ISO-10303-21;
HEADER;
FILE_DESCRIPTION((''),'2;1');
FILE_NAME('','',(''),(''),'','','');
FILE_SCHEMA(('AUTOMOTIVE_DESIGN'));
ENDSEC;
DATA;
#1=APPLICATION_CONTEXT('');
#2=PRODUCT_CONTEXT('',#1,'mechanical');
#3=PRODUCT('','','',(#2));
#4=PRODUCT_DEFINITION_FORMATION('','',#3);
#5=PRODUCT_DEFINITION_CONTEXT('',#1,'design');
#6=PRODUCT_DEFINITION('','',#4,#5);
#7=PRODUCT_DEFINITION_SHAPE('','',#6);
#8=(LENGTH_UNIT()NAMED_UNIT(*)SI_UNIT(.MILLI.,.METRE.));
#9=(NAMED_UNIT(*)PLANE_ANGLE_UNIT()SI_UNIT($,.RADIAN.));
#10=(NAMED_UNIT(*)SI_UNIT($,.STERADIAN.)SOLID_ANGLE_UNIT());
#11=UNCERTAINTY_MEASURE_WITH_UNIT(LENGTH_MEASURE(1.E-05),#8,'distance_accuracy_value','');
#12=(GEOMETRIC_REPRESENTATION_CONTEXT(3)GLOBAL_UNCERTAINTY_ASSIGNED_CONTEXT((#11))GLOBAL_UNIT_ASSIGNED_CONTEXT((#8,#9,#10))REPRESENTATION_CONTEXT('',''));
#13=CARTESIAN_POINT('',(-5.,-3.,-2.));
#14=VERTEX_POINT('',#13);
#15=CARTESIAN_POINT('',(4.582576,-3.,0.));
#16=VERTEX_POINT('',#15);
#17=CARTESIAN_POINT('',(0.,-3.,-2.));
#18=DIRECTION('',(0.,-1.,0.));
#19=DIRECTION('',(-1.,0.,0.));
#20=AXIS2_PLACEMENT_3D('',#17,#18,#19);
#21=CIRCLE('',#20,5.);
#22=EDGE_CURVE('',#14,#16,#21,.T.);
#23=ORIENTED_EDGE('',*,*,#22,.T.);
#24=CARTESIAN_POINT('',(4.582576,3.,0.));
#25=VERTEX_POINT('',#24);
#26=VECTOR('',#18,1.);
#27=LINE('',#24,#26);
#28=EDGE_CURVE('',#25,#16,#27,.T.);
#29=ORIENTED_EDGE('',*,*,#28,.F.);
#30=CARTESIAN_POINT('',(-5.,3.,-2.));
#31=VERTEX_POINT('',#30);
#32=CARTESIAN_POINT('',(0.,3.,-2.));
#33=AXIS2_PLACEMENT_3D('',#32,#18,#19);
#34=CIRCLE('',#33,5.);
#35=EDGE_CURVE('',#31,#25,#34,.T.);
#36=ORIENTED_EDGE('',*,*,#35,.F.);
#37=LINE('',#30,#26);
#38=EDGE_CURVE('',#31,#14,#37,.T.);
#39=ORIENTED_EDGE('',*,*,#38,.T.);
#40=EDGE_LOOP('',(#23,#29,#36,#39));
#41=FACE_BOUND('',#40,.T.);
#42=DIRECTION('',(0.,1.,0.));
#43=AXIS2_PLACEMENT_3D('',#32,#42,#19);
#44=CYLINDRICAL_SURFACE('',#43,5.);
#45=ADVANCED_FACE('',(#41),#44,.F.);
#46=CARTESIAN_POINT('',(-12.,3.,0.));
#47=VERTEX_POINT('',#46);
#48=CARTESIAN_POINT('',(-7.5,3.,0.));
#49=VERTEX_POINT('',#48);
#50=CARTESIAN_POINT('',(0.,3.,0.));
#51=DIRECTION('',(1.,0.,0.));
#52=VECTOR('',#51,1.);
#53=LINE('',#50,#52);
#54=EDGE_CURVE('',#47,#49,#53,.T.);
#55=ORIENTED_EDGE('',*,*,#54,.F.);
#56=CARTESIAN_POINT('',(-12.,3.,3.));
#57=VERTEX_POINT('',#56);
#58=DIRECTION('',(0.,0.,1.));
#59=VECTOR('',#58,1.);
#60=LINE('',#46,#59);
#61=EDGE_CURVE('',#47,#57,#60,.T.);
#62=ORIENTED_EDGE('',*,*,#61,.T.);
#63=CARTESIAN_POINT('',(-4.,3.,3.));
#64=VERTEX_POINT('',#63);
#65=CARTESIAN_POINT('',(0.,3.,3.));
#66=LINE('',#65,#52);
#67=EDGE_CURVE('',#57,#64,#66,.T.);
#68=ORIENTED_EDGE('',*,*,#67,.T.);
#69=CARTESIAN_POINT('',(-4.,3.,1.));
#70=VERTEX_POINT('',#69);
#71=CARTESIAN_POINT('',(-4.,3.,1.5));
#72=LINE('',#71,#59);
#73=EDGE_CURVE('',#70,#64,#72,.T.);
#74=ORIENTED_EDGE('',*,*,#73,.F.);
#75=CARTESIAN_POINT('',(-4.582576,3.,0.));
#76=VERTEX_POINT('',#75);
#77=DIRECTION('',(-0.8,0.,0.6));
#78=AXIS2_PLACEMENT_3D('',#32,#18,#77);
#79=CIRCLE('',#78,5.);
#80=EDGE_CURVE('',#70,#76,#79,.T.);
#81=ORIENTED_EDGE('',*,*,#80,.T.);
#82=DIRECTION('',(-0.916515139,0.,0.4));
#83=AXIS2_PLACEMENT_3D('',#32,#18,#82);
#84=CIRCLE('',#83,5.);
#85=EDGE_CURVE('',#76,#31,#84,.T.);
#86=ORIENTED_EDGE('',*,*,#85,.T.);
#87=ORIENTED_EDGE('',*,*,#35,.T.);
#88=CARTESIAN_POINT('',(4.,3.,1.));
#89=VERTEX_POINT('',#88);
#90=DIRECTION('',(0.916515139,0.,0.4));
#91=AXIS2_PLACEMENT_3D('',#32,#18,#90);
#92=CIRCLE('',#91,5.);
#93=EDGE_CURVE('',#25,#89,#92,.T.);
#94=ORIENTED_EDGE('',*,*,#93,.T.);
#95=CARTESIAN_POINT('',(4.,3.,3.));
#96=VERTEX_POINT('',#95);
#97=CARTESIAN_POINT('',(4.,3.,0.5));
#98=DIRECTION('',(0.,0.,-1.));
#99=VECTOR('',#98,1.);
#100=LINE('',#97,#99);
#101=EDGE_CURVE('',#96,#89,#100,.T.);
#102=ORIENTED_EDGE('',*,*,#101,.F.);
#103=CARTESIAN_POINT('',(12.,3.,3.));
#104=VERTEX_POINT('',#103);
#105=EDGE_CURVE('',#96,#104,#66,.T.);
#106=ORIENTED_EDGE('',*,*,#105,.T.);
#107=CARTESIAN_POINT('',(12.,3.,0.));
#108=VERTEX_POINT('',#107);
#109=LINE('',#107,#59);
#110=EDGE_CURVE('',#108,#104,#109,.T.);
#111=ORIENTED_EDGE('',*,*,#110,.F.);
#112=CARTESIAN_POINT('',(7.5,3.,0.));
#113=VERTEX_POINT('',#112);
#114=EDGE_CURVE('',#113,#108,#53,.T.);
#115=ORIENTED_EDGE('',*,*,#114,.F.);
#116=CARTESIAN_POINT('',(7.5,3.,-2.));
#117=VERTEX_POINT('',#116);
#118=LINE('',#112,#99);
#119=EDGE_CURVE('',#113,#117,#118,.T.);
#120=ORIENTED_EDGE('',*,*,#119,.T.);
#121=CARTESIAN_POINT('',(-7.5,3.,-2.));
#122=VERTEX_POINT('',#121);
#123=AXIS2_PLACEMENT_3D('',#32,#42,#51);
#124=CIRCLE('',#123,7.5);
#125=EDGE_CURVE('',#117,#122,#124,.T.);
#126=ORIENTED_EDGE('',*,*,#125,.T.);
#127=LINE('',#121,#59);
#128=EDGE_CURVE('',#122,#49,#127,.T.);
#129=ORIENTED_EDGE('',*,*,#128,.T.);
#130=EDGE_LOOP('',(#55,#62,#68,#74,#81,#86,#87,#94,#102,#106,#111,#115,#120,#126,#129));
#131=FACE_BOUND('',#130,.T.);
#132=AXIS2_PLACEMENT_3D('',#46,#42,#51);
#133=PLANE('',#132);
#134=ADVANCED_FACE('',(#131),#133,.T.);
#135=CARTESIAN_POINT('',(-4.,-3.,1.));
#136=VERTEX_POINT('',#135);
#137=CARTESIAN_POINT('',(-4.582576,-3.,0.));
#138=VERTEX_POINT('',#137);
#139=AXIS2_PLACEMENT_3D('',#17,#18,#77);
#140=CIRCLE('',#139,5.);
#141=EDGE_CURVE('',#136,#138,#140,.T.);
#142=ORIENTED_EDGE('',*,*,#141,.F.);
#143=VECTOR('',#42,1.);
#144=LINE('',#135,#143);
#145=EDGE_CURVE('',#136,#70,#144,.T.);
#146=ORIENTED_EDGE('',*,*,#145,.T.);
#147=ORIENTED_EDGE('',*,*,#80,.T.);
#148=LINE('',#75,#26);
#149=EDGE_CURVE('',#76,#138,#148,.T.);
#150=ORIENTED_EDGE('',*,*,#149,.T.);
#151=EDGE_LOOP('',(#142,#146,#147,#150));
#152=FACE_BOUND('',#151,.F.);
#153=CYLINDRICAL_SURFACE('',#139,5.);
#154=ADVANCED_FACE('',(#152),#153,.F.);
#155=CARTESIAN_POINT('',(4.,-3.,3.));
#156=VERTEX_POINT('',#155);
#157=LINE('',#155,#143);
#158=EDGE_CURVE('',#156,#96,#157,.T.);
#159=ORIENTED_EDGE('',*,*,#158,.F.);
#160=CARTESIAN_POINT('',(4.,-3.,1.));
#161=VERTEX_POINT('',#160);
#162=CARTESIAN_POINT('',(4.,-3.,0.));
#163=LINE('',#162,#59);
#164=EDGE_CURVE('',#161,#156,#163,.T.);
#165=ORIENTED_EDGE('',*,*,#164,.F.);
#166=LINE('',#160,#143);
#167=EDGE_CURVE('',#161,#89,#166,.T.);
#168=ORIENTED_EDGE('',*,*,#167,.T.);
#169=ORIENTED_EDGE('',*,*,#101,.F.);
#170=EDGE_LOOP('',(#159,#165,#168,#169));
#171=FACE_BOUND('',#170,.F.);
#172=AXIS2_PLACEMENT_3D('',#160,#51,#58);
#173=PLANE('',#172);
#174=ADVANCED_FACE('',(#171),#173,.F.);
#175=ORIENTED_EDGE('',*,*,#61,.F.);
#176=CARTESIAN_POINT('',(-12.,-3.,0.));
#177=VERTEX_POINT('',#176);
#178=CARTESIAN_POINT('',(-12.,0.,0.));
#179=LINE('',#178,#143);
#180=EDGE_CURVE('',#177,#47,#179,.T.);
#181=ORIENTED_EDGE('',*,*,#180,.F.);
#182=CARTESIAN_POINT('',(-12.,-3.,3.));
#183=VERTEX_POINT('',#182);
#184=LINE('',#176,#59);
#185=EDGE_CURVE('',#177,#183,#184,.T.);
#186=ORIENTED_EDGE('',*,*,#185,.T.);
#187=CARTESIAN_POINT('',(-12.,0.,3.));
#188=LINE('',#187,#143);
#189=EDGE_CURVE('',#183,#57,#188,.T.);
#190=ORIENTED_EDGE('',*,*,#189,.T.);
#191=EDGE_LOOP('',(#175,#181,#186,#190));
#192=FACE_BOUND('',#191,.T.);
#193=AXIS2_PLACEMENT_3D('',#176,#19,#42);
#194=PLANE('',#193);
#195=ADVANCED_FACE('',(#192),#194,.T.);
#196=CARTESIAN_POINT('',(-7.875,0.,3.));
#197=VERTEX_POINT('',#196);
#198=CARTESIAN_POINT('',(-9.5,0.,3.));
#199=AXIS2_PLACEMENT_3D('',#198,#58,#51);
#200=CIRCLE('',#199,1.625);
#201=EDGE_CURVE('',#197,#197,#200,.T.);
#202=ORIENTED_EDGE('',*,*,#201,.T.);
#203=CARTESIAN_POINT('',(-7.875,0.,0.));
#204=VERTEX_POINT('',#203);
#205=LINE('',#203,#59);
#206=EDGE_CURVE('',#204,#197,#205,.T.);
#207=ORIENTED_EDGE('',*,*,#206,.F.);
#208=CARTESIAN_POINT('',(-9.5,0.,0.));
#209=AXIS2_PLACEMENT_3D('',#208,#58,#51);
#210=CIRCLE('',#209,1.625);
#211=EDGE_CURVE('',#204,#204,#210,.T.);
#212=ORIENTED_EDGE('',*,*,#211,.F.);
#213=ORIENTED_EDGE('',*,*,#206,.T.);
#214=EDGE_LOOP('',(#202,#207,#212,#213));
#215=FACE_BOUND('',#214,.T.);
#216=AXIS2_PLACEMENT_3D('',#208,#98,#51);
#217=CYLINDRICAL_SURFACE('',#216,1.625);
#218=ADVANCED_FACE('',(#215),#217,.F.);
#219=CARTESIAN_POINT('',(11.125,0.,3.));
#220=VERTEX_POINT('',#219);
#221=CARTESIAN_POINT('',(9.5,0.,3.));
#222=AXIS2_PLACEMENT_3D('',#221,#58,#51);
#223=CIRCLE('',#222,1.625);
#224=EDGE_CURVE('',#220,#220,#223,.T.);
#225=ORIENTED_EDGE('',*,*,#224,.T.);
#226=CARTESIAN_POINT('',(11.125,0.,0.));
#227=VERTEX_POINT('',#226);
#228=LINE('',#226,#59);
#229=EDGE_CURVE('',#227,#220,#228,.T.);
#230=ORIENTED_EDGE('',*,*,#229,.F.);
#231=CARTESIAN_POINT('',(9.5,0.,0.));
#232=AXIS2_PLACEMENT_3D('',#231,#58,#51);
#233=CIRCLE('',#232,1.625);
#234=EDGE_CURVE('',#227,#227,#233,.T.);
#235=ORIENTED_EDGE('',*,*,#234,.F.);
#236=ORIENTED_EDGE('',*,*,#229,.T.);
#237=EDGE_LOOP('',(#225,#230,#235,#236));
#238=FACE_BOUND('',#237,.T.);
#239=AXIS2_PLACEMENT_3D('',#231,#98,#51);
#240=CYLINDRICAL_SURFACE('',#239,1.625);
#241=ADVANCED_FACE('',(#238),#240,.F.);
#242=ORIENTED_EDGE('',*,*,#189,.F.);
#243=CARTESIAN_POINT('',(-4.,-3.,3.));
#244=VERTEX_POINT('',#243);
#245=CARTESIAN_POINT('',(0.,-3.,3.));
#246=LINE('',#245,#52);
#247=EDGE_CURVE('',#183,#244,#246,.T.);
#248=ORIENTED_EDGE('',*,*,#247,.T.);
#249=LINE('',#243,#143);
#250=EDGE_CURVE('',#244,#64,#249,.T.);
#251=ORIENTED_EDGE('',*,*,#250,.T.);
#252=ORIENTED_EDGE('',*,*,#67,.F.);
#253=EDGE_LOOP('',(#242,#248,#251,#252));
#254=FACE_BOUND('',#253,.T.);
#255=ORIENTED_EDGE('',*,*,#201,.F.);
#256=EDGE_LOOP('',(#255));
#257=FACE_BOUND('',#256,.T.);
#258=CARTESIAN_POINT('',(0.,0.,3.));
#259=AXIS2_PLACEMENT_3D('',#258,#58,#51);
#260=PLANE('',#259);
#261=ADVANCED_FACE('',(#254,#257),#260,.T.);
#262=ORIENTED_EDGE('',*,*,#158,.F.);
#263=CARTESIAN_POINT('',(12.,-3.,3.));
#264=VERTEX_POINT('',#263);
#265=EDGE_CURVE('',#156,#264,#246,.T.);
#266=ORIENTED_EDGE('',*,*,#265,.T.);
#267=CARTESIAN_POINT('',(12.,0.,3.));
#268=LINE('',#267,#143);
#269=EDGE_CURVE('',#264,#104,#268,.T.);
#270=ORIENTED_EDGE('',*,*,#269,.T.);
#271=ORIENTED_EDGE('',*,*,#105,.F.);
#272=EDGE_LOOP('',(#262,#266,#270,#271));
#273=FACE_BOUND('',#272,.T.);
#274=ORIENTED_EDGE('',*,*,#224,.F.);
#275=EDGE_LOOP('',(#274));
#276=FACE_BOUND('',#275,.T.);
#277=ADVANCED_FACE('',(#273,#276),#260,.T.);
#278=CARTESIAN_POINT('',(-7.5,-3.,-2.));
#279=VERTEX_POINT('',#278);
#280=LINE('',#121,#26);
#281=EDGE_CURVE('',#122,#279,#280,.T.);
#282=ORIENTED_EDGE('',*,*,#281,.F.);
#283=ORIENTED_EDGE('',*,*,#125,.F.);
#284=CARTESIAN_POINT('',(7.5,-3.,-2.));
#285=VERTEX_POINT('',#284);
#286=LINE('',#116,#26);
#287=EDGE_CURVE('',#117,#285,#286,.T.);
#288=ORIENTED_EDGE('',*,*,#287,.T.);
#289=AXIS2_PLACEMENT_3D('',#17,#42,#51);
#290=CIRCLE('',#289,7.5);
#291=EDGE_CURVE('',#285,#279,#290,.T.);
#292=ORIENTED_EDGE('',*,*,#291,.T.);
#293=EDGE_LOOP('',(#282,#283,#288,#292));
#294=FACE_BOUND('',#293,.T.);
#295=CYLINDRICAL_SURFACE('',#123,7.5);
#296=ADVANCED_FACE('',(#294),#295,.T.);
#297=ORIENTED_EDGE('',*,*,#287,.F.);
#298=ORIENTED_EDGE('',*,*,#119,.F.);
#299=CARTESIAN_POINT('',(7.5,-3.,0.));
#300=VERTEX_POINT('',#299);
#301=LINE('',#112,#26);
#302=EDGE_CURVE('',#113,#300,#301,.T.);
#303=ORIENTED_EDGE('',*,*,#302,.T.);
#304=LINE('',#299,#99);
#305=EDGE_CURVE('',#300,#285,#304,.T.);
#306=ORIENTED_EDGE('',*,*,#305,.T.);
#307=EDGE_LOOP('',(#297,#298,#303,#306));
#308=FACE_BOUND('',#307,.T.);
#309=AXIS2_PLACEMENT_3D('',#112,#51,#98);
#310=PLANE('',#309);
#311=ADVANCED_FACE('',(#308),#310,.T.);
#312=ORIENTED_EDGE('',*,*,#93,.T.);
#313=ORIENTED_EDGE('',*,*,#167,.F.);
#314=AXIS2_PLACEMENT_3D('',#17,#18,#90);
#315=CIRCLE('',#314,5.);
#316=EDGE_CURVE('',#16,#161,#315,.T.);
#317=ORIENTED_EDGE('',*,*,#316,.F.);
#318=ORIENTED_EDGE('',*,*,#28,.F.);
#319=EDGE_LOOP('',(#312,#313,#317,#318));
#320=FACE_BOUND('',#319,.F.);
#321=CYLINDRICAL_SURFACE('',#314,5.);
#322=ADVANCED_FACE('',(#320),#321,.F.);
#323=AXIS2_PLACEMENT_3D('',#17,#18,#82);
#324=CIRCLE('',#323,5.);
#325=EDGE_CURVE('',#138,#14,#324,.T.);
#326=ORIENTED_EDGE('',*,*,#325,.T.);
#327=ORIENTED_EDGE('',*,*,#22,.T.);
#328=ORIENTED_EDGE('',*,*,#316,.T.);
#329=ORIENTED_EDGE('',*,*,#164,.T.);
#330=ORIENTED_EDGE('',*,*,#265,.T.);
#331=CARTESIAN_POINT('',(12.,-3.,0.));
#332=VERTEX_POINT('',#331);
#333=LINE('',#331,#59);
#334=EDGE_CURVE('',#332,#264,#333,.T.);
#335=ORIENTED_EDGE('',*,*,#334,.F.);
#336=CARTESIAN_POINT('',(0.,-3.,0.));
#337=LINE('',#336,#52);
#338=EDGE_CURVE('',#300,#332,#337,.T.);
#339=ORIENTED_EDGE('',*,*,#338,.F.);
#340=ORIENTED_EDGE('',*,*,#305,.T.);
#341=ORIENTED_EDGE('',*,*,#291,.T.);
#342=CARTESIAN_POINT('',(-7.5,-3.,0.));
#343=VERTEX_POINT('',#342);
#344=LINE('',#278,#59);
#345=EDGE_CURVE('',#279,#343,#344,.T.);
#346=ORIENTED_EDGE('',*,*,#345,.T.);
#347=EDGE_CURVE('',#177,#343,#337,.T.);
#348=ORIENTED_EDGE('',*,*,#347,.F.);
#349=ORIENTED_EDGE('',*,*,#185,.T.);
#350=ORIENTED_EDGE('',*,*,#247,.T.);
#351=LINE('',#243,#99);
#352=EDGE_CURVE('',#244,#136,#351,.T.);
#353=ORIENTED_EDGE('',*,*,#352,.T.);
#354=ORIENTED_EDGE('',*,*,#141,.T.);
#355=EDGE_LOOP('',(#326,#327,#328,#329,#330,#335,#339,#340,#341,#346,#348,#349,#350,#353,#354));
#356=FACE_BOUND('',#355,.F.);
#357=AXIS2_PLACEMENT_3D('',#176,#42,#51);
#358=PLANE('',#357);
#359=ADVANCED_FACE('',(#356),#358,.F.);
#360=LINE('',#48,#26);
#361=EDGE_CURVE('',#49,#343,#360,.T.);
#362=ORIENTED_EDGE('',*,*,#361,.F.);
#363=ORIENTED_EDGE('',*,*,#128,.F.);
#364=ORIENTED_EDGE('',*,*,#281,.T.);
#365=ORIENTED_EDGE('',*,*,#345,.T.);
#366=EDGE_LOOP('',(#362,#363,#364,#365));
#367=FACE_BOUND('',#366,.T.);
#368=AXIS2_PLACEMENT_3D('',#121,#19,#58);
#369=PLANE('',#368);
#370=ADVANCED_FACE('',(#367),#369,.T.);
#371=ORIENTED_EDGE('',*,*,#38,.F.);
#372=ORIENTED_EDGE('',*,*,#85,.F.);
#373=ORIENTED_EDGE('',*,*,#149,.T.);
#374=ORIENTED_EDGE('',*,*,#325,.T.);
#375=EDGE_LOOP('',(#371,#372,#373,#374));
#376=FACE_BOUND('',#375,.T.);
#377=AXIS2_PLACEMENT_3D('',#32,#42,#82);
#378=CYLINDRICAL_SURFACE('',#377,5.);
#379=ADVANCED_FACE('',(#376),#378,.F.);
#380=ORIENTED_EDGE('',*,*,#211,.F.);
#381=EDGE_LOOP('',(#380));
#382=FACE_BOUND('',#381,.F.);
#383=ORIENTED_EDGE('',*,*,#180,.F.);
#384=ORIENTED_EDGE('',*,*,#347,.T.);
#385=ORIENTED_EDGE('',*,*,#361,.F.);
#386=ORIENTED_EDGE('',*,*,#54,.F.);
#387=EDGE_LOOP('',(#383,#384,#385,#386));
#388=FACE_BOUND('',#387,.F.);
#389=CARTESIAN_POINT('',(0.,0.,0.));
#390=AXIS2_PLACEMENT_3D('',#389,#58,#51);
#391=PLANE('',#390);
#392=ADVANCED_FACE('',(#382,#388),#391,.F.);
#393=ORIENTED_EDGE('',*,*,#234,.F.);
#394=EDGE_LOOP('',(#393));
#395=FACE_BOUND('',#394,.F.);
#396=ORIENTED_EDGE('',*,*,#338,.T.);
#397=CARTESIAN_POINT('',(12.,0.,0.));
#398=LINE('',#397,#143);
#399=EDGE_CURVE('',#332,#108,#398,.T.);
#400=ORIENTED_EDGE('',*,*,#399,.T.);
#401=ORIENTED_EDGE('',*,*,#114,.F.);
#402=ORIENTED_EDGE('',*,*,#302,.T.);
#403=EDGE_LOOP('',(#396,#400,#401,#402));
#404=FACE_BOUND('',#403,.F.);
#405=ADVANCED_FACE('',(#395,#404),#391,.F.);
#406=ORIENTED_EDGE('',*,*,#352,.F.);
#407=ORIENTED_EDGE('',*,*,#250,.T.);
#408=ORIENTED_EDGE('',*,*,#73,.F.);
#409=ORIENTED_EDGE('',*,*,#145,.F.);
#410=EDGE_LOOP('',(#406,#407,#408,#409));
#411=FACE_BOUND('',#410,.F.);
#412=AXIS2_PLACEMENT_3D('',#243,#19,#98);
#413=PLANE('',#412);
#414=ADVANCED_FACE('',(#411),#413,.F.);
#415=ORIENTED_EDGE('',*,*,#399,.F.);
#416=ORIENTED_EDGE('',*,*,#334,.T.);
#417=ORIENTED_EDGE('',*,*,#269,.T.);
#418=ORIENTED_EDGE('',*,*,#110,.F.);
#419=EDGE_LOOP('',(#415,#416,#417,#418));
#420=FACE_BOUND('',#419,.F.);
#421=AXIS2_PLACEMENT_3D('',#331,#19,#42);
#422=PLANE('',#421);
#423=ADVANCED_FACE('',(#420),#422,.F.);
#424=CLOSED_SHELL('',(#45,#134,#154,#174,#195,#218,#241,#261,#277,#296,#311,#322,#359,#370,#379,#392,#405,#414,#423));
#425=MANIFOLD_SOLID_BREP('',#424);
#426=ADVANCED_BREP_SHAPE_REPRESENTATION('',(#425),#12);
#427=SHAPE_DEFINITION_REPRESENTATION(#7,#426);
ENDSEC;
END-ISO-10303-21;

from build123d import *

# Parameters (mm, degrees)
F0_W     = 24
F0_H     = 6
F0_R     = 1.625
F1_DEPTH = 3
F3_DEPTH = 6
F5_DEPTH = 6.001


with BuildPart() as f1:
    # F0 (on Top) → F1 (new body)
    with BuildSketch(Plane.XY):
        Rectangle(F0_W, F0_H)
        with Locations((-9.5, 0)):
            Circle(F0_R, mode=Mode.SUBTRACT)
        with Locations((9.5, 0)):
            Circle(F0_R, mode=Mode.SUBTRACT)
    extrude(amount=F1_DEPTH)

    # F2 (on face) → F3 (join)
    with BuildSketch(Plane(origin=(0, 3, 0), x_dir=(-1, 0, 0), z_dir=(0, 1, 0))):
        with BuildLine():
            Line((-7.5, 0), (-7.5, -2))
            ThreePointArc((-7.5, -2), (0, -9.5), (7.5, -2))
            Line((7.5, -2), (7.5, 0))
            Line((7.5, 0), (4.582575695, 0))
            ThreePointArc((4.582575695, 0), (4.8945315647, -0.9784517816), (5, -2))
            ThreePointArc((5, -2), (-1.0215482184, -6.8945315647), (-4.582575695, 0))
            Line((-4.582575695, 0), (-7.5, 0))
        make_face()
    extrude(amount=-F3_DEPTH)

    # F4 (on face) → F5 (cut, through all)
    with BuildSketch(Plane.XZ.offset(3)):
        with BuildLine():
            Line((-4, 3), (-4, 1))
            ThreePointArc((-4, 1), (-2.2360679775, 2.472135955), (0, 3))
            Line((0, 3), (-4, 3))
        make_face()
        with BuildLine():
            Line((-4.582575695, 0), (-4, 0))
            Line((-4, 0), (-4, 1))
            ThreePointArc((-4, 1), (-4.3203184362, 0.5169125154), (-4.582575695, 0))
        make_face()
        with BuildLine():
            Line((-4, 1), (-4, 0))
            Line((-4, 0), (4, 0))
            Line((4, 0), (4, 1))
            ThreePointArc((4, 1), (2.2360679775, 2.472135955), (0, 3))
            ThreePointArc((0, 3), (-2.2360679775, 2.472135955), (-4, 1))
        make_face()
        with BuildLine():
            Line((4, 3), (0, 3))
            ThreePointArc((0, 3), (2.2360679775, 2.472135955), (4, 1))
            Line((4, 1), (4, 3))
        make_face()
        with BuildLine():
            Line((4, 1), (4, 0))
            Line((4, 0), (4.582575695, 0))
            ThreePointArc((4.582575695, 0), (4.3203184362, 0.5169125154), (4, 1))
        make_face()
    extrude(amount=-F5_DEPTH, mode=Mode.SUBTRACT)


solid = f1.part
